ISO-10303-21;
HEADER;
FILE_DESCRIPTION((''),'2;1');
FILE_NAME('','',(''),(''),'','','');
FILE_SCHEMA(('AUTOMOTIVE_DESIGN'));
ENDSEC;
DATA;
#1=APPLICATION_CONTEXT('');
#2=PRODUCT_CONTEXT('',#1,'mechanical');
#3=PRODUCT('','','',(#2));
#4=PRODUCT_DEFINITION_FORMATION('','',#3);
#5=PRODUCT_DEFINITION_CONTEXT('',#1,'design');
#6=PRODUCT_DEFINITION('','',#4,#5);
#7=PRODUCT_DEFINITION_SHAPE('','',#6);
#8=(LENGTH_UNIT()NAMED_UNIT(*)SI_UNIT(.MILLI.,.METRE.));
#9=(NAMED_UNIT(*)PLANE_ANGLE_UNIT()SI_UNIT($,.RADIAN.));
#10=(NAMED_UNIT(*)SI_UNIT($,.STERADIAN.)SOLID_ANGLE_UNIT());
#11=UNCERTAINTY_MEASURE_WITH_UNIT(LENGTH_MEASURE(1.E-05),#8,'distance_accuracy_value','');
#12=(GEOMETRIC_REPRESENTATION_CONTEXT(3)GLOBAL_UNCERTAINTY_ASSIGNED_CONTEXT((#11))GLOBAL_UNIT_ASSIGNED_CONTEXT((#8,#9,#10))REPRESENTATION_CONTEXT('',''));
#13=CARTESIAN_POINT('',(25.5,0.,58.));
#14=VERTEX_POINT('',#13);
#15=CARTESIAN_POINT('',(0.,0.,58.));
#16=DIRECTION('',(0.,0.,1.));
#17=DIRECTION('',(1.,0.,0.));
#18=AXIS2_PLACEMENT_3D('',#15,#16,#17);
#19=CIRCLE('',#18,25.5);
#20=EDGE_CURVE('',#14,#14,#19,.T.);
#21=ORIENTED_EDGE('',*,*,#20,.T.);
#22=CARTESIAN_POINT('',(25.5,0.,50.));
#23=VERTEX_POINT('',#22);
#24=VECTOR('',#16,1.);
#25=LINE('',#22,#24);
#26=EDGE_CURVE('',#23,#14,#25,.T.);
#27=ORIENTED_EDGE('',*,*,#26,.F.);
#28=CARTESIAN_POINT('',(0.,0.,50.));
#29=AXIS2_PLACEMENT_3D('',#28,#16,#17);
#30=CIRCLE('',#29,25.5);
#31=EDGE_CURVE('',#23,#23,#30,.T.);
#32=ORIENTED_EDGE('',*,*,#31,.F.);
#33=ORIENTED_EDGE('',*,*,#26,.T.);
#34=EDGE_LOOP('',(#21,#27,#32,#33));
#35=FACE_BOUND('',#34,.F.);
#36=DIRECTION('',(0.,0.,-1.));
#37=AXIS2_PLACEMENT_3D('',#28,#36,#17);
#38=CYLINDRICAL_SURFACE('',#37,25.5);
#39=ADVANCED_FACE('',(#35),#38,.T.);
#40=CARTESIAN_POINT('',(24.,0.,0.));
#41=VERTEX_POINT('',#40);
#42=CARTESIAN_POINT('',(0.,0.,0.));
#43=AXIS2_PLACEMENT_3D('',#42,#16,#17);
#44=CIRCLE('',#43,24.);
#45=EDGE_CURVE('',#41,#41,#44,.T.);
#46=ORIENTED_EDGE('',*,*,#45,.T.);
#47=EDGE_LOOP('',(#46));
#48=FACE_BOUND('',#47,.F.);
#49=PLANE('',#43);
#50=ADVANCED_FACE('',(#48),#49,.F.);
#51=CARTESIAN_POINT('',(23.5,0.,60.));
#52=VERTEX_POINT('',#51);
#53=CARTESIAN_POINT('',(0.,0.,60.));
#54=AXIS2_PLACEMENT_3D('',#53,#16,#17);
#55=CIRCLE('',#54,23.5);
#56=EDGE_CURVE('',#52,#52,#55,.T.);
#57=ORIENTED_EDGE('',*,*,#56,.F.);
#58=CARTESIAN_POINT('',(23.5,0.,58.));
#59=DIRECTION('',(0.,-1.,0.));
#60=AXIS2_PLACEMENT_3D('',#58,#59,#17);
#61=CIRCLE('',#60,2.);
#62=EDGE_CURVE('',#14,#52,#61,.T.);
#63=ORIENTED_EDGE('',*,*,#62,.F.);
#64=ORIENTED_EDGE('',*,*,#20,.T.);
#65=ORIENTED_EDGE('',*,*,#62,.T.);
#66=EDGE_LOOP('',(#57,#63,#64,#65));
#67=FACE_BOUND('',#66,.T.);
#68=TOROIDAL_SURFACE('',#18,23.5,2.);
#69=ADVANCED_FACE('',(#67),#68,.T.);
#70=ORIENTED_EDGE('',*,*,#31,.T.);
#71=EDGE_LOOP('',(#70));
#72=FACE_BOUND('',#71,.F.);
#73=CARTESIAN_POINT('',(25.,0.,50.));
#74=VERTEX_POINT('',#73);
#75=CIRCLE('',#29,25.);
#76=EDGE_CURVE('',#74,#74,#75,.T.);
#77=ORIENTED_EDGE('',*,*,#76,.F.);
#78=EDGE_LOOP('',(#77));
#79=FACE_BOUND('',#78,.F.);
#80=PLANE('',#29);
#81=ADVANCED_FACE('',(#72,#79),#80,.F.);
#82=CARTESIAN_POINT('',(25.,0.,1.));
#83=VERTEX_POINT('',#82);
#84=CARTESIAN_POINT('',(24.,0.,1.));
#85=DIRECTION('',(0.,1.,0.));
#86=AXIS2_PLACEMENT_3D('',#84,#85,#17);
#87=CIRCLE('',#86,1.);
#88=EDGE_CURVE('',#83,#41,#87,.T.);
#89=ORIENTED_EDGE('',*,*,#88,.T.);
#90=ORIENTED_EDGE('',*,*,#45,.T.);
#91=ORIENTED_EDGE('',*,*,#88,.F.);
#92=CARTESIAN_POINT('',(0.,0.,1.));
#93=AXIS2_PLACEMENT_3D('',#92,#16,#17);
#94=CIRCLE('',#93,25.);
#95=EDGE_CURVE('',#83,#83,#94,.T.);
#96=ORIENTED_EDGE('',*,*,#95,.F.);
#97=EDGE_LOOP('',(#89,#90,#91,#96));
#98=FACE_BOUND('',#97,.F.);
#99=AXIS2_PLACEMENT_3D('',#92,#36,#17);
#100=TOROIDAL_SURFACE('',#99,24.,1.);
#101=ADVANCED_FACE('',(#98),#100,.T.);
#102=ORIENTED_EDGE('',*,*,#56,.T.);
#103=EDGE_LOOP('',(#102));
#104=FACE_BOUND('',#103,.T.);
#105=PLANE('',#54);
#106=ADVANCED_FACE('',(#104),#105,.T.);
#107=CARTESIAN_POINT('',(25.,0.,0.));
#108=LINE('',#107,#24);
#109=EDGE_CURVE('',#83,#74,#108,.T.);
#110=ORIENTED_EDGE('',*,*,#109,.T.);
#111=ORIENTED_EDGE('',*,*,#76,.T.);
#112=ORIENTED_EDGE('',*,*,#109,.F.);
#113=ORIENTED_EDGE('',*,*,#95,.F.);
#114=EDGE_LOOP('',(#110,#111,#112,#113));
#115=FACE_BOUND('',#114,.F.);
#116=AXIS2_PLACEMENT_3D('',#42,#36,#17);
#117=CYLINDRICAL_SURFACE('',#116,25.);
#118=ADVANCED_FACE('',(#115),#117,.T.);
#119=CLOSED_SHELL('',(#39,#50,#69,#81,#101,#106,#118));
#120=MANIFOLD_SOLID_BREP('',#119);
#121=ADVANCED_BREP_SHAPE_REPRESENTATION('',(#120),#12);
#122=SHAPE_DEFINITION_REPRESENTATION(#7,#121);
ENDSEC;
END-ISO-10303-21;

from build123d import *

# Parameters (mm, degrees)
F0_R     = 25
F1_DEPTH = 50
F2_R     = 25.5
F3_DEPTH = 10
F4_R     = 2
F5_R     = 1


with BuildPart() as f1:
    # F0 (on Top) → F1 (new body)
    with BuildSketch(Plane.XY):
        Circle(F0_R)
    extrude(amount=F1_DEPTH)

    # F2 (on face) → F3 (join)
    with BuildSketch(Plane.XY.offset(50)):
        Circle(F2_R)
    extrude(amount=F3_DEPTH)

    # F4
    f4_edges = [f1.edges().sort_by_distance(p)[0] for p in [
        (-25.5, 0, 60),
    ]]
    fillet(f4_edges, radius=F4_R)

    # F5
    f5_edges = [f1.edges().sort_by_distance(p)[0] for p in [
        (-25, 0, 0),
    ]]
    fillet(f5_edges, radius=F5_R)


solid = f1.part
